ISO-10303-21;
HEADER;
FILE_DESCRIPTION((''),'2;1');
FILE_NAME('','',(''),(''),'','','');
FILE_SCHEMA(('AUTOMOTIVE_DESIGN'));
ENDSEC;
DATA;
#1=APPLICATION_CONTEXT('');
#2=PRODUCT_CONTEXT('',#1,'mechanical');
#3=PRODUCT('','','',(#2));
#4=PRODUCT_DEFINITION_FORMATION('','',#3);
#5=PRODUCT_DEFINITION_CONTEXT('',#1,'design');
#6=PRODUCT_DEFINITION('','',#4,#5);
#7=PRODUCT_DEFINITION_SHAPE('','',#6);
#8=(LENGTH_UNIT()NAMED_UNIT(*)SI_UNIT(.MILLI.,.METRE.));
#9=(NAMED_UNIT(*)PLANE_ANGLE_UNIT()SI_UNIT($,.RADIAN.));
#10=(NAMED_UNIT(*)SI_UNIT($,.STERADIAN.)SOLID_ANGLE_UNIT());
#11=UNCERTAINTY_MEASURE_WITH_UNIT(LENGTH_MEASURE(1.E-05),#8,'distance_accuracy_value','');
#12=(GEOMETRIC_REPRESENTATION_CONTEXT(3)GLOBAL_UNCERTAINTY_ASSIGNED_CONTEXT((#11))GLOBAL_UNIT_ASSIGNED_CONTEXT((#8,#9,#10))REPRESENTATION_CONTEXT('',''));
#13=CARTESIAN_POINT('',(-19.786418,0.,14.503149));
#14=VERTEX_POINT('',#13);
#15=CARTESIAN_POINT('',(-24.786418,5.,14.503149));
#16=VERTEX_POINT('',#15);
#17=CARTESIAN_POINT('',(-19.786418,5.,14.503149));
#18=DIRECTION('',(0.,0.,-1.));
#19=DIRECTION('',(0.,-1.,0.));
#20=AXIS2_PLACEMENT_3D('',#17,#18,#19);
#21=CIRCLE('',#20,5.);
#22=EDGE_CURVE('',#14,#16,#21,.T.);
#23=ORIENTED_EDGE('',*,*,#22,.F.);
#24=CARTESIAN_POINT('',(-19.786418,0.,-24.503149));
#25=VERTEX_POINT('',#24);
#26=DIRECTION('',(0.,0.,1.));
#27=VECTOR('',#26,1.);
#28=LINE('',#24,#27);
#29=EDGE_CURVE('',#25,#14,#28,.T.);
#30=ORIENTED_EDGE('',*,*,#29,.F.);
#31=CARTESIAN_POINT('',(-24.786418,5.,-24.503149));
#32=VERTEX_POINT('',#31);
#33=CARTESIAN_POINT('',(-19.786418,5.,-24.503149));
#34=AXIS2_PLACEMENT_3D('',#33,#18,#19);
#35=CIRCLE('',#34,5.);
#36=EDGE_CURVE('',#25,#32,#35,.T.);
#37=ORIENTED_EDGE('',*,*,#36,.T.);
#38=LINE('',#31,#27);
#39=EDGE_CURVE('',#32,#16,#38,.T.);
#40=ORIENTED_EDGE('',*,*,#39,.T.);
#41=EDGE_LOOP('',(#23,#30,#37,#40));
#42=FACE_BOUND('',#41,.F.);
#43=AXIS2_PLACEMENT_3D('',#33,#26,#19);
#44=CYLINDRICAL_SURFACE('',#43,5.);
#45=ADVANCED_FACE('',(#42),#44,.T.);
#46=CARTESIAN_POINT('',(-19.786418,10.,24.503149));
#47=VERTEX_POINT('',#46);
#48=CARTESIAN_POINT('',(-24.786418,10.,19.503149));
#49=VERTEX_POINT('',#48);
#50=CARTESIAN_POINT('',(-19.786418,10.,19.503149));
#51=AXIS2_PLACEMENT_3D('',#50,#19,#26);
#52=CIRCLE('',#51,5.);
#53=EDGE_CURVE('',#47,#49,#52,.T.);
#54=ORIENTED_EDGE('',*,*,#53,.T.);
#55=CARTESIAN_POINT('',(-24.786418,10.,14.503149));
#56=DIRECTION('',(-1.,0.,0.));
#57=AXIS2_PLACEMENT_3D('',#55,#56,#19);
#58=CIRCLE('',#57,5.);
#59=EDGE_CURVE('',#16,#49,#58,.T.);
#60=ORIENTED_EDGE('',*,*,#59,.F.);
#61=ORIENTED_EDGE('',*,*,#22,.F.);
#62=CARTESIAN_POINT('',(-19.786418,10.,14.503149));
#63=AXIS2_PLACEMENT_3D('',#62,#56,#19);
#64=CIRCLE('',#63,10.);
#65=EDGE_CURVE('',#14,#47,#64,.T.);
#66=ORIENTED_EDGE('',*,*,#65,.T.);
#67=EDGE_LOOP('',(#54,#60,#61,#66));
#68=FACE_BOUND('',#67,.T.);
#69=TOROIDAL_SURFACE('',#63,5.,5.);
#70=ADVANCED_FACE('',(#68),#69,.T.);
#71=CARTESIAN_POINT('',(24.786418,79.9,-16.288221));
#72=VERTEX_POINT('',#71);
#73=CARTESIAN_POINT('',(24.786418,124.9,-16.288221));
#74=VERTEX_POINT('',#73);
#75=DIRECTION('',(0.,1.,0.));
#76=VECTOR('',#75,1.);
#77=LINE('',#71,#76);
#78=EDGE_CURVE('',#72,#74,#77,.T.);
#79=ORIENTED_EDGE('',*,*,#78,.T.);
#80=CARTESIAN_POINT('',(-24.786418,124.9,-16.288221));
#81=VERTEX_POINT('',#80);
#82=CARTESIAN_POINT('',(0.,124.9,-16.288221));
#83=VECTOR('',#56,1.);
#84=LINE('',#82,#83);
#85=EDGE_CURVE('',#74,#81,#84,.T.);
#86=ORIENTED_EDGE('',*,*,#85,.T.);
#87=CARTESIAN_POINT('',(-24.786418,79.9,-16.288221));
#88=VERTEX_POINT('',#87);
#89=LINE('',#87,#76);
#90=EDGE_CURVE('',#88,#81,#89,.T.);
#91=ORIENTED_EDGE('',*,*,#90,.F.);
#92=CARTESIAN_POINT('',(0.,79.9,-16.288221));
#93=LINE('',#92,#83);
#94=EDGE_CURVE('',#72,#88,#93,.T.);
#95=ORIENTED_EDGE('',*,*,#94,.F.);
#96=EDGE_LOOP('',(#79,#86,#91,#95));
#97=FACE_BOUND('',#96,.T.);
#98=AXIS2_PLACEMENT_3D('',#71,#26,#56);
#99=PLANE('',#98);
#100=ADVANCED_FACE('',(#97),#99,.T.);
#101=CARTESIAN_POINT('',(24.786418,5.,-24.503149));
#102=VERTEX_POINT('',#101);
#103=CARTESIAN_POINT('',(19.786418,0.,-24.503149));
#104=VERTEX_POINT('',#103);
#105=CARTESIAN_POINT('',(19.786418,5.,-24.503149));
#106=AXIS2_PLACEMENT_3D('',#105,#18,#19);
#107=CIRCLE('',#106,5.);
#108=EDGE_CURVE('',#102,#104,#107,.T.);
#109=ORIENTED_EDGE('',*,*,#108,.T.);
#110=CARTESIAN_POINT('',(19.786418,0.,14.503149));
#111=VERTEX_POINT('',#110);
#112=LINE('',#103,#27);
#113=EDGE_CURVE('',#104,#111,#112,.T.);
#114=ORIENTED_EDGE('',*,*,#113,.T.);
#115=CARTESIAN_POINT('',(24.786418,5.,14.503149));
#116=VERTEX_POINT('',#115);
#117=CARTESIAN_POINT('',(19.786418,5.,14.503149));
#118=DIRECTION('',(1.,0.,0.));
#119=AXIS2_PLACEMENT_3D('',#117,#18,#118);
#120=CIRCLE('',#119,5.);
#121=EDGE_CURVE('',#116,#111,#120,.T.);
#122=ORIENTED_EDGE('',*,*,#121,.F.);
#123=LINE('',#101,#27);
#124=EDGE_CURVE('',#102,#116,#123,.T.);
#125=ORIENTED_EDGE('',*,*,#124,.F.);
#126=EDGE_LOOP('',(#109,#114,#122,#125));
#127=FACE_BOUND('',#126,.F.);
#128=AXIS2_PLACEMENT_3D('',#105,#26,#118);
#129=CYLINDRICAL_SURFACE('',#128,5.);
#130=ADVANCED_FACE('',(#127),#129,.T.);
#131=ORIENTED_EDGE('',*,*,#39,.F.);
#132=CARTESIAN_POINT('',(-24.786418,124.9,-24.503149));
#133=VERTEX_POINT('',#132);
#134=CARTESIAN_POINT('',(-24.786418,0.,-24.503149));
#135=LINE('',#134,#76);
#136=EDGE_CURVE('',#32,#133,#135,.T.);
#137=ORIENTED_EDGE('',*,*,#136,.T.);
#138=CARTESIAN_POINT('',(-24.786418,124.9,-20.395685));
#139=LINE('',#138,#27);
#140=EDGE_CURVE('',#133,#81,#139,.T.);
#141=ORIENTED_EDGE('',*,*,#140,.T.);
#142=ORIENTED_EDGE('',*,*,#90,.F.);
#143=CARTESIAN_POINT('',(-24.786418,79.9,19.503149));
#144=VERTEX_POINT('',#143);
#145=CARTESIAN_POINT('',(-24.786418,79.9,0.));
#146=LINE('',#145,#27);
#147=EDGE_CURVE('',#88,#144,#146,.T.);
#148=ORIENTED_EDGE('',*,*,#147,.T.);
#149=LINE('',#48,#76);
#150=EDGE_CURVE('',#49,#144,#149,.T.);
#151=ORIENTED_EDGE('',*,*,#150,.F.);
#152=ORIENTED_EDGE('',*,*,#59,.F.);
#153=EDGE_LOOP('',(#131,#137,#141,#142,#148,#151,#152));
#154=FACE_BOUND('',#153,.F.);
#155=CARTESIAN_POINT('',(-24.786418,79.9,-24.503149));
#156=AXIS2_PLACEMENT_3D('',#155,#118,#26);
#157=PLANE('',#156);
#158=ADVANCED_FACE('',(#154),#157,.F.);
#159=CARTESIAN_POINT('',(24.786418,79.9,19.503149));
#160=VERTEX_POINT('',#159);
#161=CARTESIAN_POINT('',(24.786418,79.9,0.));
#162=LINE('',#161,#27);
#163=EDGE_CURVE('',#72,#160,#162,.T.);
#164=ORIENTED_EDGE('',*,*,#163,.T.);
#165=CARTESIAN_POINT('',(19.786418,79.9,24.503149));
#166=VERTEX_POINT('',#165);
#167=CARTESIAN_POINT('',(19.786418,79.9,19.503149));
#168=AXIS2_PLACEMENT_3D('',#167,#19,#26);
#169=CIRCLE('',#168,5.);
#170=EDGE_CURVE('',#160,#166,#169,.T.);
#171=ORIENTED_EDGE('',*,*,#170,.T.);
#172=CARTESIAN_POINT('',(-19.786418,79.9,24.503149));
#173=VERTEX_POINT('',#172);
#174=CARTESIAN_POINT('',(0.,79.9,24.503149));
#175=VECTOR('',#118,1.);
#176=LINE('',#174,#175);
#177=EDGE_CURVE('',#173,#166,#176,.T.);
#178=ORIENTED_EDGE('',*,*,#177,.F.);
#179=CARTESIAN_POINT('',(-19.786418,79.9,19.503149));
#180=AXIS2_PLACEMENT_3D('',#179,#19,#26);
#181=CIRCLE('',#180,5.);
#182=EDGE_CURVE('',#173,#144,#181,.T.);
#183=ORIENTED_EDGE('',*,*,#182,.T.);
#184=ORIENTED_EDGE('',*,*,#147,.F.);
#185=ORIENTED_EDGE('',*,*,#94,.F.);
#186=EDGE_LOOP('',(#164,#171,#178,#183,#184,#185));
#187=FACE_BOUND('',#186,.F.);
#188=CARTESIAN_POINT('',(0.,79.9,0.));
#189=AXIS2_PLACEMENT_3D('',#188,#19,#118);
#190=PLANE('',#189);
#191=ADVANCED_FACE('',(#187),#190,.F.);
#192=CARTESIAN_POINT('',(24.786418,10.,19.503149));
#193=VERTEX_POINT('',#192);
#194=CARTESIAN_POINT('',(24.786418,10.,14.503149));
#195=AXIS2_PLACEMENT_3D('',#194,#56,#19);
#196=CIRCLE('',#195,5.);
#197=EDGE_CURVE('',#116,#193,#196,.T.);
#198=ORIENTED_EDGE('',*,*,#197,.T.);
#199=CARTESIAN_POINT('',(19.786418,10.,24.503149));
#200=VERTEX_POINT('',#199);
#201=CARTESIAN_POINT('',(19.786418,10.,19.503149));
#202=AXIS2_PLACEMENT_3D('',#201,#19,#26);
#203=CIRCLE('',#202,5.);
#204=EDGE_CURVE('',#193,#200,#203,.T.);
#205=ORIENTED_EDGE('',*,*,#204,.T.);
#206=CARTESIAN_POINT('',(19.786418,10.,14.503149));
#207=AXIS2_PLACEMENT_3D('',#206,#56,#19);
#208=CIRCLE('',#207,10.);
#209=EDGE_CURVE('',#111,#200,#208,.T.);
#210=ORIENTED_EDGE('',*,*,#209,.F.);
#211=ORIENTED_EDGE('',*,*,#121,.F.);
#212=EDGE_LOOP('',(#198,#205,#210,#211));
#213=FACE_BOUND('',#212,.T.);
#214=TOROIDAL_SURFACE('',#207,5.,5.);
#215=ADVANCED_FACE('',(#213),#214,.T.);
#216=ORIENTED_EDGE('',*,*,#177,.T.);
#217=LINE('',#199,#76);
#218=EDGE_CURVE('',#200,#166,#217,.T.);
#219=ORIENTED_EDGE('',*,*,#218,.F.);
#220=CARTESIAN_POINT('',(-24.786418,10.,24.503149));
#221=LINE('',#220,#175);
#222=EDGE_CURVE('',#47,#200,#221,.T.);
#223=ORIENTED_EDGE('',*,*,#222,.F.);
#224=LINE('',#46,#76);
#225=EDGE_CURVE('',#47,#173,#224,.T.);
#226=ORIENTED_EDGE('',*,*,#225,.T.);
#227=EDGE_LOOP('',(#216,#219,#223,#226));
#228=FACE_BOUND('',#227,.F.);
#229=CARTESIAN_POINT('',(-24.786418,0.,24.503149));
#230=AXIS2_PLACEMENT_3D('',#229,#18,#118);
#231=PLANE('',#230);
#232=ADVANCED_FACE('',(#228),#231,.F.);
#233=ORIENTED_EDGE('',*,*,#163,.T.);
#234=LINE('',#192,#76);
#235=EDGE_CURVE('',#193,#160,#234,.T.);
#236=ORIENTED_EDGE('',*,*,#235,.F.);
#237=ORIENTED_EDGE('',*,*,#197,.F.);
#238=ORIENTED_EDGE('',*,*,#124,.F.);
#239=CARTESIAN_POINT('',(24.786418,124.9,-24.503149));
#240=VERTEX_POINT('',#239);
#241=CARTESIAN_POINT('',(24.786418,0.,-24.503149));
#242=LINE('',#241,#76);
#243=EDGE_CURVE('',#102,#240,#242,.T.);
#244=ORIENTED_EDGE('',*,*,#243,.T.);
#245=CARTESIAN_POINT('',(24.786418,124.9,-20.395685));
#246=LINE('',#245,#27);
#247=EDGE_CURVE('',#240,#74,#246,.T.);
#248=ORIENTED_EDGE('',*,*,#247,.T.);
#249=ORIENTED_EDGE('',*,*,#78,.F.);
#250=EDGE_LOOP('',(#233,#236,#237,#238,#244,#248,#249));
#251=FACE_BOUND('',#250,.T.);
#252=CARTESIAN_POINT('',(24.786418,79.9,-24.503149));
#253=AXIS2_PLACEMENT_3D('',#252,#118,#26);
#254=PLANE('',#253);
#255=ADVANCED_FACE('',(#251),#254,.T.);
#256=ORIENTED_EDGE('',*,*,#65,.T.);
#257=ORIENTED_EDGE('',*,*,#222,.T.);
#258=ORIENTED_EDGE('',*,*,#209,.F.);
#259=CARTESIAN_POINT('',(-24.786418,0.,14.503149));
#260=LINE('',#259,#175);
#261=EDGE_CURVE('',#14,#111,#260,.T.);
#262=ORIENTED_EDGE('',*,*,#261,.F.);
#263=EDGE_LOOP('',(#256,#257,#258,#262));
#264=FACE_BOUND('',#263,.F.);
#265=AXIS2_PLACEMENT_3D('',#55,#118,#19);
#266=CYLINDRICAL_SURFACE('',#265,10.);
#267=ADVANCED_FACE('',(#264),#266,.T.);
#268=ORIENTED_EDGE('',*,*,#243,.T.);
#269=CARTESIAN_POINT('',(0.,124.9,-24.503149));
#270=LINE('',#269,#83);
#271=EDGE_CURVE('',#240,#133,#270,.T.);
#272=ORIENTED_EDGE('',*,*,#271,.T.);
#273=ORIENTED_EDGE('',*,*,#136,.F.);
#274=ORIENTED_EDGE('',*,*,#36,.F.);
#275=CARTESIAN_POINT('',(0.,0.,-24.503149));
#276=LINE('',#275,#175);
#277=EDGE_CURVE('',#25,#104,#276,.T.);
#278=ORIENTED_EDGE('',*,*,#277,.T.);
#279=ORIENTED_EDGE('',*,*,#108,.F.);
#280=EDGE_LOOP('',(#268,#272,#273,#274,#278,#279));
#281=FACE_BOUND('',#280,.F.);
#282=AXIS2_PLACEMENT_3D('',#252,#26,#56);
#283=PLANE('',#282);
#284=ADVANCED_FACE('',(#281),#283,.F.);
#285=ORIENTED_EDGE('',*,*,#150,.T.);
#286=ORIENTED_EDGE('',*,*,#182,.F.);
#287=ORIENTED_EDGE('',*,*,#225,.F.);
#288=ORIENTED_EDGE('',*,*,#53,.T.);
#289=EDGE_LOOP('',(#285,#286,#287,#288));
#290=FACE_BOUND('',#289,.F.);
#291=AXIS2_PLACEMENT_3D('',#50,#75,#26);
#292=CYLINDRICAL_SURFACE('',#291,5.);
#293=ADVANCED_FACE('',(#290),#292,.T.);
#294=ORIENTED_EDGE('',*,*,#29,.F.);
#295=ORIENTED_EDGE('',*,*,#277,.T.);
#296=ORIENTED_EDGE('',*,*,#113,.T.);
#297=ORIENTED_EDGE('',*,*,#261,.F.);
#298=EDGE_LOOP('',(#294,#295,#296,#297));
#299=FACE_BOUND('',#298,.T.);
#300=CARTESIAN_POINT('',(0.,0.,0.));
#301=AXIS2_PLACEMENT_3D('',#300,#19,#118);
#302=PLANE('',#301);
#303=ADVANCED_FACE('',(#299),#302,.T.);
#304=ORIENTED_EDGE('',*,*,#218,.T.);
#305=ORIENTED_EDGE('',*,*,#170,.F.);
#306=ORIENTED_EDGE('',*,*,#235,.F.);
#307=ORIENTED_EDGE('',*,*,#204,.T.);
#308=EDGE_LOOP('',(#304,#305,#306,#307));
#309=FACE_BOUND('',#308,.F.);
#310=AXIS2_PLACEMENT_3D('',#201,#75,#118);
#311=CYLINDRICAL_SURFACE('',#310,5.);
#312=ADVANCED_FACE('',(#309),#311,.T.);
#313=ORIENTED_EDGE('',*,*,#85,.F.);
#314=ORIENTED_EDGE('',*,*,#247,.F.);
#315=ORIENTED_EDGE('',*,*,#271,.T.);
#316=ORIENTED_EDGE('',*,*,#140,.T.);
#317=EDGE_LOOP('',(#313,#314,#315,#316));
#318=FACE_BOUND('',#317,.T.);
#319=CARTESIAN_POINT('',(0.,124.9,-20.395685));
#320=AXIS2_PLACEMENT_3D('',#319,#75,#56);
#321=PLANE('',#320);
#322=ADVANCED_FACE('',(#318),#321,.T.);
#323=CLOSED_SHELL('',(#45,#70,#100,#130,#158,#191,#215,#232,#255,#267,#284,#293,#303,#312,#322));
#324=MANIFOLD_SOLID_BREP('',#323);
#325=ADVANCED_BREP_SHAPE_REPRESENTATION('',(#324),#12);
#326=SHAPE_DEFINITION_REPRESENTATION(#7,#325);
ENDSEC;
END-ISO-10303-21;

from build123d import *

# Parameters (mm, degrees)
F0_W     = 49.5728366077
F0_H     = 49.0062981844
F1_DEPTH = 79.9
F2_W     = 49.5728366077
F2_H     = 8.2149282098
F3_DEPTH = 45
F4_R     = 10
F5_R     = 5


with BuildPart() as f1:
    # F0 (on Front) → F1 (new body)
    with BuildSketch(Plane.XZ):
        Rectangle(F0_W, F0_H)
    extrude(amount=-F1_DEPTH)

    # F2 (on face) → F3 (join)
    with BuildSketch(Plane(origin=(0, 79.9, 0), x_dir=(-1, 0, 0), z_dir=(0, 1, 0))):
        with Locations((0, -20.3956849873)):
            Rectangle(F2_W, F2_H)
    extrude(amount=F3_DEPTH)

    # F4
    f4_edges = [f1.edges().sort_by_distance(p)[0] for p in [
        (0, 0, 24.503149),
    ]]
    fillet(f4_edges, radius=F4_R)

    # F5
    f5_edges = [f1.edges().sort_by_distance(p)[0] for p in [
        (24.786418, 2.928932, 21.574217),
        (-24.786418, 2.928932, 21.574217),
    ]]
    fillet(f5_edges, radius=F5_R)


solid = f1.part
